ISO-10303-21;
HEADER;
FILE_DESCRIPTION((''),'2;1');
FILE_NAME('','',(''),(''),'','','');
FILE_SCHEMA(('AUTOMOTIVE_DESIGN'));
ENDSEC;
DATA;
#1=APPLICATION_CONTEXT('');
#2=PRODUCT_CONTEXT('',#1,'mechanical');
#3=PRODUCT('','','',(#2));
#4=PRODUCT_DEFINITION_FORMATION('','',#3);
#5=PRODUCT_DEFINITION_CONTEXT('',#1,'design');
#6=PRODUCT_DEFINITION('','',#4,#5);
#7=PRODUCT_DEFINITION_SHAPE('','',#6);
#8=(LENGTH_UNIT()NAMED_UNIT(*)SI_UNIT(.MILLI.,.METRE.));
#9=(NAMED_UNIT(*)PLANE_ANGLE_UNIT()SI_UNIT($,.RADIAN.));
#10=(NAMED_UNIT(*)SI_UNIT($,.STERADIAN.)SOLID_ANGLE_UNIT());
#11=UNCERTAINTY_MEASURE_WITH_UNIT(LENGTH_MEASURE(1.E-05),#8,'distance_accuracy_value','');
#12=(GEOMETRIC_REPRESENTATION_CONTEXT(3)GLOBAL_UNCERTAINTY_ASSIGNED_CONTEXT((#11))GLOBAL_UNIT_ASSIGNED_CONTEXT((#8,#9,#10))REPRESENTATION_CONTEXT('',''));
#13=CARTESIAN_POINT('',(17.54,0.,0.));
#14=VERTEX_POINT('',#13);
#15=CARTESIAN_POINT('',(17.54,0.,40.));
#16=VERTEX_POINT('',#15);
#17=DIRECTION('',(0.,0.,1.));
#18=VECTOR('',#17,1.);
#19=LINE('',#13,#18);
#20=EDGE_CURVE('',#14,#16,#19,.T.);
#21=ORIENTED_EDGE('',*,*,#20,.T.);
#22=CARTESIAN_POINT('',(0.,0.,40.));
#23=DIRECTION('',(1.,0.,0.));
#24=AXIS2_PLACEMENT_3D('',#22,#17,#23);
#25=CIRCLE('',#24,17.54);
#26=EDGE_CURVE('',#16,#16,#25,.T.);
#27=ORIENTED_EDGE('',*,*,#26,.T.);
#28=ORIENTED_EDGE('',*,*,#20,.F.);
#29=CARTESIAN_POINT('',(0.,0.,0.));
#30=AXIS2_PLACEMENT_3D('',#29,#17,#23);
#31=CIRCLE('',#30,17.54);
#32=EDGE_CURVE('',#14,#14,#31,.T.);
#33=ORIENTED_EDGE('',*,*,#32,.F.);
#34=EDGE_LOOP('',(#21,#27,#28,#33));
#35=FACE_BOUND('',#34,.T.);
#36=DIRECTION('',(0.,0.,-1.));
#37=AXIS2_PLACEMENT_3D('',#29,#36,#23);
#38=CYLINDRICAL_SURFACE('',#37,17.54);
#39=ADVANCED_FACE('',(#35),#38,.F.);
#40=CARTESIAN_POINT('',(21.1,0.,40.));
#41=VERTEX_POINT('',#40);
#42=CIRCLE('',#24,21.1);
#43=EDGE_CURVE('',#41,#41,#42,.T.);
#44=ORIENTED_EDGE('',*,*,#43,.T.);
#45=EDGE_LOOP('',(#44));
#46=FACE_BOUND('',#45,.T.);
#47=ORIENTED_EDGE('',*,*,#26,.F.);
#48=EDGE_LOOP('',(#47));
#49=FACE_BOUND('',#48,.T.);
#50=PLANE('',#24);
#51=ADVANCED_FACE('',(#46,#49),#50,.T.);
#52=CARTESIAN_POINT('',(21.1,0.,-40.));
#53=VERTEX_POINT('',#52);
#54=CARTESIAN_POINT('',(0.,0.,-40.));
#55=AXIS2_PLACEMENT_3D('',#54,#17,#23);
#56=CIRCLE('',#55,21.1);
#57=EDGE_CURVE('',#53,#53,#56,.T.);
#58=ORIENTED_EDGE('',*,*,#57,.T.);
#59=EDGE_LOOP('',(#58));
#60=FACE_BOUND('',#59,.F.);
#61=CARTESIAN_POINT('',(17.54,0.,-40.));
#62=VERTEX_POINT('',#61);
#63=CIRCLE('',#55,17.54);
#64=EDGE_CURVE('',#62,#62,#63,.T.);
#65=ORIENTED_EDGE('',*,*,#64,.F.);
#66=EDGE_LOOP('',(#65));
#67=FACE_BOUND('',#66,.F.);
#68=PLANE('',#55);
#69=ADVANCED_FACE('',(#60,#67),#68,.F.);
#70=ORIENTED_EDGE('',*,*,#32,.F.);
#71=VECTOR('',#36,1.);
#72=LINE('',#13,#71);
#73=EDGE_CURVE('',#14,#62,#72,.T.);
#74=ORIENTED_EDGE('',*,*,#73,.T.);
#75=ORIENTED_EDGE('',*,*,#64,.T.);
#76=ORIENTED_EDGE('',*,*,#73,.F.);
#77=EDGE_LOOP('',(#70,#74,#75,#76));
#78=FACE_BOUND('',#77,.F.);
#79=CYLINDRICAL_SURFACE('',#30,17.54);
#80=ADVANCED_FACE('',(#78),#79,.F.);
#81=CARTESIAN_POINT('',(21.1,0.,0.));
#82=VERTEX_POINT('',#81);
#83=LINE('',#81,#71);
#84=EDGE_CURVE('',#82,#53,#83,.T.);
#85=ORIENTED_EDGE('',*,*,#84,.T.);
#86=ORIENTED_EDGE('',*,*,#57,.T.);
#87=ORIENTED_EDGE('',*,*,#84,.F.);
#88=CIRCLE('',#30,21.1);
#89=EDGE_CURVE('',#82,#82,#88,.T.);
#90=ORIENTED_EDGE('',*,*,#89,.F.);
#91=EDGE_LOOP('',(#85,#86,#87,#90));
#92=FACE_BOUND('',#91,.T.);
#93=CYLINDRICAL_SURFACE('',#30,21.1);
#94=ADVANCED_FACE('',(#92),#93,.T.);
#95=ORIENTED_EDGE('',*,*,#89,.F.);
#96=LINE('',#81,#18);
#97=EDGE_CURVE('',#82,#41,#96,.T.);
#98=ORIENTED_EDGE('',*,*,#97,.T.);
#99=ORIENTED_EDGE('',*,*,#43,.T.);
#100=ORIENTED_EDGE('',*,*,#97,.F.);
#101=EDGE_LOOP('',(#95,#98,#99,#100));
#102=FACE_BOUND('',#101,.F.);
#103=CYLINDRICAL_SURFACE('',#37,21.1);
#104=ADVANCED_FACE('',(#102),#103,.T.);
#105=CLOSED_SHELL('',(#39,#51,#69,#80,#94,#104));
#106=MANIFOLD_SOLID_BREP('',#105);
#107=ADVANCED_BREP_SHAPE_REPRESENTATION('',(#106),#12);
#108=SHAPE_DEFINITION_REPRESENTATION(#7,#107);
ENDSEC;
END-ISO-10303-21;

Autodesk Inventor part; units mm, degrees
ref_plane "YZ Plane" through (0, 0, 0) normal (1, 0, 0) x (0, 1, 0)
ref_plane "XZ Plane" through (0, 0, 0) normal (0, 1, 0) x (-1, 0, 0)
ref_plane "XY Plane" through (0, 0, 0) normal (0, 0, 1) x (1, 0, 0)
sketch "Sketch1" plane through (0, 0, 0) normal (0, 0, 1) x (1, 0, 0)
  circle A0 centre (0, 0) radius 21.1
  circle A1 centre (0, 0) radius 17.54
  dimension "OD" = 42.2
  dimension "t" = 3.56
extrude "Extrusion1" add sketch "Sketch1" along normal mid plane 80
equation "\"size\" = 7"
properties part number "CS" material "Aluminium 6082 T6"
